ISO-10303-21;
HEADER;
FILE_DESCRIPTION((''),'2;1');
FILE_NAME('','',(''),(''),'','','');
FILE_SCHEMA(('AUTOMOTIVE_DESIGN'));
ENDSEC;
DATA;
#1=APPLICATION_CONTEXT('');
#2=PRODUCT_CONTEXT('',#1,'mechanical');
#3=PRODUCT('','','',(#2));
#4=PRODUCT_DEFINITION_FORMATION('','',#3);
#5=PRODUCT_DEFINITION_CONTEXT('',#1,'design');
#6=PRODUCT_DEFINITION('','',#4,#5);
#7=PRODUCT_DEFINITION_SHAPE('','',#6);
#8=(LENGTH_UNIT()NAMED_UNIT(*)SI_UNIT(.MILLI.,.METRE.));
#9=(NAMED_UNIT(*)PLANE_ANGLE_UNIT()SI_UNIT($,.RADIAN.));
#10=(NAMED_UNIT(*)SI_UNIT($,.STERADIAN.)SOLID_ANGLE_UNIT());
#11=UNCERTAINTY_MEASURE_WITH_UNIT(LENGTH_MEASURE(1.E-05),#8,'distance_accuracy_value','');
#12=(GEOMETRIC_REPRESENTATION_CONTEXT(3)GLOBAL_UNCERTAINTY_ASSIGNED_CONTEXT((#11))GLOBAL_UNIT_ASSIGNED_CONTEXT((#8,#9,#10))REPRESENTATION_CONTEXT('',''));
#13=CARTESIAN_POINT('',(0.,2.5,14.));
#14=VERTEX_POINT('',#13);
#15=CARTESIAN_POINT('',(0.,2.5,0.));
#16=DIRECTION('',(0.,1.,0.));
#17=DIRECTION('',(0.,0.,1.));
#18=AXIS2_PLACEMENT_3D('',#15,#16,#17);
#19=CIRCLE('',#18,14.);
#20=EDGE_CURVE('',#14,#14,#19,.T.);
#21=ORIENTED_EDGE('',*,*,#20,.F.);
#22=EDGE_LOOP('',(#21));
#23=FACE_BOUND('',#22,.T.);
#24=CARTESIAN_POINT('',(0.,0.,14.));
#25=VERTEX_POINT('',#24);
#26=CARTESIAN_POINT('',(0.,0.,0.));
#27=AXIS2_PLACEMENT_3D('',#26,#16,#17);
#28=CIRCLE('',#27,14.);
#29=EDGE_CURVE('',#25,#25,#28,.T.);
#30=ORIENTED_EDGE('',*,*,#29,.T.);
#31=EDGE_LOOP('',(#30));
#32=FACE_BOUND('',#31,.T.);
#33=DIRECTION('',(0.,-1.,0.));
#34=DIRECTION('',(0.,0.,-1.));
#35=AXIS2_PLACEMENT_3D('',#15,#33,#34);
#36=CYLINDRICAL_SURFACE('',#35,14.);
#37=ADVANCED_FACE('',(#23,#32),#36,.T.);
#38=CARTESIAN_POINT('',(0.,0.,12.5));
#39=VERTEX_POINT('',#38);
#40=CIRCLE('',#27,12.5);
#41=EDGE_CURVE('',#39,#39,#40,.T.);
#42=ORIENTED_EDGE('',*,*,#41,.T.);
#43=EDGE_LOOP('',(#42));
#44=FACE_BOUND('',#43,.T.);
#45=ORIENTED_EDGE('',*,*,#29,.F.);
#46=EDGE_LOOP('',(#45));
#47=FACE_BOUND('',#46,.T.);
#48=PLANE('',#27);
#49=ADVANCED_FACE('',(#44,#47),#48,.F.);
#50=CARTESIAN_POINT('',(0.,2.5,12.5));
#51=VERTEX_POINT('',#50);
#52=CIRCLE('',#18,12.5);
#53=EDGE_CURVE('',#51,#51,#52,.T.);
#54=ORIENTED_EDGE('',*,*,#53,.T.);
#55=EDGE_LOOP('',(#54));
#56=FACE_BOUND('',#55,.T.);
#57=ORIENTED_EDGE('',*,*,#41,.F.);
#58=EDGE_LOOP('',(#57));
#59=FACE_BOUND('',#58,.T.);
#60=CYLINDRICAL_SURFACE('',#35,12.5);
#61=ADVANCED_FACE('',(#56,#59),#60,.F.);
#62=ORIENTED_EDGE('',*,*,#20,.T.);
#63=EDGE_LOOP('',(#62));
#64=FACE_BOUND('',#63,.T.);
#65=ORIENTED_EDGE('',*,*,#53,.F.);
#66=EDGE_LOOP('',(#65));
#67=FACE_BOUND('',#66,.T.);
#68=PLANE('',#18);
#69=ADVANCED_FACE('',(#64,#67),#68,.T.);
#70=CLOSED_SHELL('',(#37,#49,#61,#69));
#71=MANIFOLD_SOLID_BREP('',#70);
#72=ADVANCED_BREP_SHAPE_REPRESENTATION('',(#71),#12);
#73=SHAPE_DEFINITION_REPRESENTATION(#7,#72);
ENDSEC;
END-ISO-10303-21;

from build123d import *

# Parameters (mm, degrees)
SKETCH1_R           = 14
SKETCH1_R_2         = 12.5
BOSS_EXTRUDE1_DEPTH = 2.5


with BuildPart() as part:
    # Sketch1 → Boss-Extrude1 (new body)
    with BuildSketch(Plane(origin=(0, 0, 0), x_dir=(1, 0, 0), z_dir=(0, 1, 0))):
        with Locations(Location((0, 0, 0), (0, 0, 270))):
            Circle(SKETCH1_R)
        with Locations(Location((0, 0, 0), (0, 0, 270))):
            Circle(SKETCH1_R_2, mode=Mode.SUBTRACT)
    extrude(amount=BOSS_EXTRUDE1_DEPTH)


solid = part.part
